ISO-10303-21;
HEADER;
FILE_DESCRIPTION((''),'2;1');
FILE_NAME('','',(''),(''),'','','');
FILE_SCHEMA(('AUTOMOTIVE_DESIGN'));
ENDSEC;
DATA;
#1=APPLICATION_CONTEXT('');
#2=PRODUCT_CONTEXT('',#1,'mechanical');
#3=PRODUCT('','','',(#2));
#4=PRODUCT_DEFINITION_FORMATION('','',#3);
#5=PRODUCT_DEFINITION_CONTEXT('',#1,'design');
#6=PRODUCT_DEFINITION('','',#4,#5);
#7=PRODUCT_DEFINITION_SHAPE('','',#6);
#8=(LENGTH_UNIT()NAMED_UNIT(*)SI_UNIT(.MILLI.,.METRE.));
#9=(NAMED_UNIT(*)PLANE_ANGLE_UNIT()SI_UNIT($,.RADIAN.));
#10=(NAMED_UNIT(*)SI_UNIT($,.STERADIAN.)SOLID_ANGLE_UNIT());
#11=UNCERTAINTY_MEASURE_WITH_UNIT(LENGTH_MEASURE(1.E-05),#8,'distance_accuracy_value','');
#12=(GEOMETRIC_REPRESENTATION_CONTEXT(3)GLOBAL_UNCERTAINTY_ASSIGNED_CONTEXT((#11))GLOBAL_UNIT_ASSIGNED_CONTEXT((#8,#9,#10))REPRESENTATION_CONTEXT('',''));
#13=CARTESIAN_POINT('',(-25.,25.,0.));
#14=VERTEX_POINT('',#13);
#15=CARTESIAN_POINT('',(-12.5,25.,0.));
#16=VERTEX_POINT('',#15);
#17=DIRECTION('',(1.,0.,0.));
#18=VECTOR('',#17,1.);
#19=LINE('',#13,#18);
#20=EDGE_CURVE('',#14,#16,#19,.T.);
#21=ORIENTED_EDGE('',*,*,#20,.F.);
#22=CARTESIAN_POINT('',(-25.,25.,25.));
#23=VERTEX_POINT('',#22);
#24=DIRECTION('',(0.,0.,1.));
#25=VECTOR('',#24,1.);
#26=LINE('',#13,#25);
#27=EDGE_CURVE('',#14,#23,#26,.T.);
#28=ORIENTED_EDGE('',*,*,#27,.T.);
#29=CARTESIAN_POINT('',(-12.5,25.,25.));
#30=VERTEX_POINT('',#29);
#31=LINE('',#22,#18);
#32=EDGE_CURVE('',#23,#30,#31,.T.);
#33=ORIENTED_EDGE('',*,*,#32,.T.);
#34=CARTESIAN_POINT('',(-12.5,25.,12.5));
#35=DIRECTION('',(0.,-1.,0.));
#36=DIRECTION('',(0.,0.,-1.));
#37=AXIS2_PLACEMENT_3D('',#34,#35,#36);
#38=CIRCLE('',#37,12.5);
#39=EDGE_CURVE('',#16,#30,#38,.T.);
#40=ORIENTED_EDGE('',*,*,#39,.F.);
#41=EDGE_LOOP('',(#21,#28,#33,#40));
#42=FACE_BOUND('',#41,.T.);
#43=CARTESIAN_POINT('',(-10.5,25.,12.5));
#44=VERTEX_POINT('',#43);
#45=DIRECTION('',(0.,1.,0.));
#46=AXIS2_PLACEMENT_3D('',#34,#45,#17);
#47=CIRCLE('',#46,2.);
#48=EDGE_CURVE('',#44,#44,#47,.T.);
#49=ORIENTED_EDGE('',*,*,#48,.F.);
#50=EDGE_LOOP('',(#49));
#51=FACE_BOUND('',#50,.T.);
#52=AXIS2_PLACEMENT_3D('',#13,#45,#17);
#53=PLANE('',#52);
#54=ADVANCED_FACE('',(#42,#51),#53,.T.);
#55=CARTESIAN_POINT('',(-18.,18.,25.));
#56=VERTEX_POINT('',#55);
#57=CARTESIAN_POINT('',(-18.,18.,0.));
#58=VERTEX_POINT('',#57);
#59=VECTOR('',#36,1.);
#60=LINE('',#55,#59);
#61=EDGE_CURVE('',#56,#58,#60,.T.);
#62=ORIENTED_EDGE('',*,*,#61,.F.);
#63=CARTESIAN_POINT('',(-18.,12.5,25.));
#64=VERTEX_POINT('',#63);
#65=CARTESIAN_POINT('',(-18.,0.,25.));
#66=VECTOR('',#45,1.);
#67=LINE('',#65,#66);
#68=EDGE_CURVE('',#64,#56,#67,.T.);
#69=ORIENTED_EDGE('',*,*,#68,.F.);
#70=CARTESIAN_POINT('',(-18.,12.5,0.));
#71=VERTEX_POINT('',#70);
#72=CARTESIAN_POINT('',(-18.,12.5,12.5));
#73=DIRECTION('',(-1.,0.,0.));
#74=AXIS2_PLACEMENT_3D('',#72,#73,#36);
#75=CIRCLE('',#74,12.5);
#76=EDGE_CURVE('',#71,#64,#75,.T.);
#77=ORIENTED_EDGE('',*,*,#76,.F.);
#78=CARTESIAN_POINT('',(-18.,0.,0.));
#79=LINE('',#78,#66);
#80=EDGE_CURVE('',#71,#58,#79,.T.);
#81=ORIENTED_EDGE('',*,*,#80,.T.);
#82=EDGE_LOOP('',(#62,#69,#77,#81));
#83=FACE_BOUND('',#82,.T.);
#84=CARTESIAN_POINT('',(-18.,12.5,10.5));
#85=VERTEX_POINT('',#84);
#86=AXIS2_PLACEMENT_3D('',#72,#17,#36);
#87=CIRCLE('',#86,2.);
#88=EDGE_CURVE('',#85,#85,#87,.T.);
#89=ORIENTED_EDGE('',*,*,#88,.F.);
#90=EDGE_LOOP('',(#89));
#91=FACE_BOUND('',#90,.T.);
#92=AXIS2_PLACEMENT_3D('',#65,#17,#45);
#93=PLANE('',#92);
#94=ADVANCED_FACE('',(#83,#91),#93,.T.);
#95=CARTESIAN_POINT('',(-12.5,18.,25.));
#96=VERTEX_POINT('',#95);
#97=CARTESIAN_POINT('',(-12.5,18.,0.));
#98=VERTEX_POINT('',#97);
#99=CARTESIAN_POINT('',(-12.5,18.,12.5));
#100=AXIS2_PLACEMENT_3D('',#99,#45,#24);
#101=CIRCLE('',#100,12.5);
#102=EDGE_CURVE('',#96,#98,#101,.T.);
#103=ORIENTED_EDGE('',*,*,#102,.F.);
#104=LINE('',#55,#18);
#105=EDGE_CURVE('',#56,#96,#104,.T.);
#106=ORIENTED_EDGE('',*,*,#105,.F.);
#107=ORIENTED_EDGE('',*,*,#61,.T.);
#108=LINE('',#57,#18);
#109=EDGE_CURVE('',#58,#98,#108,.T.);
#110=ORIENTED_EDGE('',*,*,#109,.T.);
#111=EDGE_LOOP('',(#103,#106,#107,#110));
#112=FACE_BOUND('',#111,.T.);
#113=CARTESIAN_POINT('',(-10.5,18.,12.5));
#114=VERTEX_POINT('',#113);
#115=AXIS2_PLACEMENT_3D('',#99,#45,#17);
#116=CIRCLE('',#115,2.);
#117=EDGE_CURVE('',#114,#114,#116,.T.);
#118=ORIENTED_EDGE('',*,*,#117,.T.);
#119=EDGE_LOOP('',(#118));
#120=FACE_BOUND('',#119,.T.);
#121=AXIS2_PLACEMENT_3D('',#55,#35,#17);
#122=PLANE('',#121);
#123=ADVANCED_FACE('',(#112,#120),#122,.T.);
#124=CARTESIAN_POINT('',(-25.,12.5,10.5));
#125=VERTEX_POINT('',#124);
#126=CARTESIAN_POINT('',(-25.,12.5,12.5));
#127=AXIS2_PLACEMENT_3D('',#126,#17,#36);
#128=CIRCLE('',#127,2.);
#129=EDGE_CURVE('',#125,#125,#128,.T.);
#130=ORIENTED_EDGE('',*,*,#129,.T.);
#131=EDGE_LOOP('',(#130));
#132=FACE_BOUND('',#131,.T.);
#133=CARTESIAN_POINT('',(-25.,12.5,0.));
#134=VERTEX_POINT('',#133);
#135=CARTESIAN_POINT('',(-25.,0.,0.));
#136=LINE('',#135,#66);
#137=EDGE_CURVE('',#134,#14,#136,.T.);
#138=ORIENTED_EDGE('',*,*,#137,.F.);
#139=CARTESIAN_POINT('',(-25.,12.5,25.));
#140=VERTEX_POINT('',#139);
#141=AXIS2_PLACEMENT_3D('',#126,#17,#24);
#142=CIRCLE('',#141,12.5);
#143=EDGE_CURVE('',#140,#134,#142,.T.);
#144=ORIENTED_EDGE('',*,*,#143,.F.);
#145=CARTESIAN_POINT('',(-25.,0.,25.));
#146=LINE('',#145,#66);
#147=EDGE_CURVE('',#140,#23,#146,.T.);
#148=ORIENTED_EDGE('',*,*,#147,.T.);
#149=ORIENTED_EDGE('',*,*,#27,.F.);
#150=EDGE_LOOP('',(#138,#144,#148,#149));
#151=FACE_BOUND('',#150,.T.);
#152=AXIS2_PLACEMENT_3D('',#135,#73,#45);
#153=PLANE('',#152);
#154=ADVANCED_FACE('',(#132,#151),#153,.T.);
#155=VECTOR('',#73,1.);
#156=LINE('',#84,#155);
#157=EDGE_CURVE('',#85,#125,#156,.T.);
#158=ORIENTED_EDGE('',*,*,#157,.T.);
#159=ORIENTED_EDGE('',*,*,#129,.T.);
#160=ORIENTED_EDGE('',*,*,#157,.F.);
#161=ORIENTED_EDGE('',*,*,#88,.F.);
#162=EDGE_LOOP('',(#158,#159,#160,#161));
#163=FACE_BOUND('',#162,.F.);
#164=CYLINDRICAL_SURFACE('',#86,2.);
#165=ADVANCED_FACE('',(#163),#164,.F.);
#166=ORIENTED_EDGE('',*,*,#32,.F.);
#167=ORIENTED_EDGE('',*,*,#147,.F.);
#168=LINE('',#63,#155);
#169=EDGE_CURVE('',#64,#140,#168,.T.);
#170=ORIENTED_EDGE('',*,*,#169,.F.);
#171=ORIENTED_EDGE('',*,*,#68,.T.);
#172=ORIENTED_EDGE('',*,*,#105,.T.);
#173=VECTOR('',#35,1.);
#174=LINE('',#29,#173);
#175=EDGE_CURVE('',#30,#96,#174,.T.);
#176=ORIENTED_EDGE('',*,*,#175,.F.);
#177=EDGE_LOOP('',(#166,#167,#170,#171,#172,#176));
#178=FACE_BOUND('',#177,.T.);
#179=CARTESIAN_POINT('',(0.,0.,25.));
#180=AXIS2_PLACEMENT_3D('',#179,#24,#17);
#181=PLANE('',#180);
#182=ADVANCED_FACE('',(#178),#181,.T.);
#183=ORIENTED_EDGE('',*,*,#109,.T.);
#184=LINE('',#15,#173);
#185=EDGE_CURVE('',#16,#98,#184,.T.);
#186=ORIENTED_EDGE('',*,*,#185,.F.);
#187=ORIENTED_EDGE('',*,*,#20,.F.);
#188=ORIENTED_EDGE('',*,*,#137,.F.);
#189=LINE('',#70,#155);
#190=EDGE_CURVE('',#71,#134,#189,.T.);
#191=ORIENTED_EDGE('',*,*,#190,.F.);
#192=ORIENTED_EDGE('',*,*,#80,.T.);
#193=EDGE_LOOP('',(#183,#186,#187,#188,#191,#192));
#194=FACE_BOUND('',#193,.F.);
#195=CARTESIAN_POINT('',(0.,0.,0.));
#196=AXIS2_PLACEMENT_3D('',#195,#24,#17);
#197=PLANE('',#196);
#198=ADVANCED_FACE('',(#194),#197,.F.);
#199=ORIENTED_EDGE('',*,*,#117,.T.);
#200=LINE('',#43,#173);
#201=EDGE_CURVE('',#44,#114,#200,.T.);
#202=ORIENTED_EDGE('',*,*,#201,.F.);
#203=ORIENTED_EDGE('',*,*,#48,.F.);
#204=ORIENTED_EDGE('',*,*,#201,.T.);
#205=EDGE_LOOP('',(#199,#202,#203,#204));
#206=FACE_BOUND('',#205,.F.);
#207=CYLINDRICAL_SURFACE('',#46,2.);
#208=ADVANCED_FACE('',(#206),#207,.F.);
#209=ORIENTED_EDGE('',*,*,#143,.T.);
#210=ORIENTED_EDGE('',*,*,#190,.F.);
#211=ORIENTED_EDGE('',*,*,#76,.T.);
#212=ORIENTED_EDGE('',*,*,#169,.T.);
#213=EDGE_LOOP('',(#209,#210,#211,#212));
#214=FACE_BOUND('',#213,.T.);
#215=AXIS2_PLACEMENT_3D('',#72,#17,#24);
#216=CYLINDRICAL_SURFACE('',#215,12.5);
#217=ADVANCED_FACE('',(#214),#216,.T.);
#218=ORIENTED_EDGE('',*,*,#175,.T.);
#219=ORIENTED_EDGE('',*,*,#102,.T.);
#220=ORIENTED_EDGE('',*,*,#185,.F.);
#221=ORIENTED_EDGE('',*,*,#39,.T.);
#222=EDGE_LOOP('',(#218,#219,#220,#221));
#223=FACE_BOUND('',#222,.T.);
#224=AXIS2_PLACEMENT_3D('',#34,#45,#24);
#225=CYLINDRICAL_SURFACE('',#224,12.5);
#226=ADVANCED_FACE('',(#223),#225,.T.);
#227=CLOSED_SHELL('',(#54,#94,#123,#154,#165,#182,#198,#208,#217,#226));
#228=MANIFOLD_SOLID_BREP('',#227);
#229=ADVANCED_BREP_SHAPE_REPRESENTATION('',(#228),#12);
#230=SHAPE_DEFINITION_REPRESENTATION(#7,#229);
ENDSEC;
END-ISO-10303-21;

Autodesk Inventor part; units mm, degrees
ref_plane "YZ Plane" through (0, 0, 0) normal (1, 0, 0) x (0, 1, 0)
ref_plane "XZ Plane" through (0, 0, 0) normal (0, 1, 0) x (-1, 0, 0)
ref_plane "XY Plane" through (0, 0, 0) normal (0, 0, 1) x (1, 0, 0)
sketch "Sketch1" plane through (0, 0, 0) normal (0, 0, 1) x (1, 0, 0)
  line L0 (0, 0) -> (-25, 0)
  line L1 (-25, 0) -> (-25, 25)
  line L2 (-25, 25) -> (0, 25)
  line L3 (0, 25) -> (0, 0)
  dimension "d0" = 25
  dimension "d1" = 25
extrude "Extrusion1" add sketch "Sketch1" along normal blind 25
sketch "Sketch2" plane through (-25, 25, 0) normal (0, 1, 0) x (1, 0, 0)
  circle A0 centre (12.5, -12.5) radius 2
  line L0 (25, 0) -> (25, -25) projected
  line L1 (25, 0) -> (0, 0) projected
  arc A1 (12.5, -25) -> (12.5, 0) centre (12.5, -12.5) ccw
  line L2 (25, -25) -> (0, -25) projected
  point P0 (25, -12.5)
  dimension "d4" = 4
  dimension "d5" = 12.5
  dimension "d6" = 12.5
extrude "Extrusion2" cut sketch "Sketch2" against normal blind 25
sketch "Sketch3" plane through (0, 0, 25) normal (0, 0, 1) x (1, 0, 0)
  line L0 (0, 0) -> (-18, 0)
  line L1 (-18, 0) -> (-18, 18)
  line L2 (-18, 18) -> (0, 18)
  line L3 (0, 18) -> (0, 0)
  dimension "d9" = 18
  dimension "d10" = 18
extrude "Extrusion3" cut sketch "Sketch3" against normal blind 25
sketch "Sketch4" plane through (-18, 0, 25) normal (1, 0, 0) x (0, 0, -1)
  circle A0 centre (12.5, 12.5) radius 2
  line L0 (25, 0) -> (0, 0) projected
  line L1 (25, 18) -> (25, 0) projected
  arc A1 (0, 12.5) -> (25, 12.5) centre (12.5, 12.5) ccw
  line L2 (0, 0) -> (0, 18) projected
  point P0 (12.5, 0)
  dimension "d13" = 4
  dimension "d14" = 12.5
  dimension "d15" = 12.5
extrude "Extrusion4" cut sketch "Sketch4" against normal blind 25
properties part number "Frame Connector"
